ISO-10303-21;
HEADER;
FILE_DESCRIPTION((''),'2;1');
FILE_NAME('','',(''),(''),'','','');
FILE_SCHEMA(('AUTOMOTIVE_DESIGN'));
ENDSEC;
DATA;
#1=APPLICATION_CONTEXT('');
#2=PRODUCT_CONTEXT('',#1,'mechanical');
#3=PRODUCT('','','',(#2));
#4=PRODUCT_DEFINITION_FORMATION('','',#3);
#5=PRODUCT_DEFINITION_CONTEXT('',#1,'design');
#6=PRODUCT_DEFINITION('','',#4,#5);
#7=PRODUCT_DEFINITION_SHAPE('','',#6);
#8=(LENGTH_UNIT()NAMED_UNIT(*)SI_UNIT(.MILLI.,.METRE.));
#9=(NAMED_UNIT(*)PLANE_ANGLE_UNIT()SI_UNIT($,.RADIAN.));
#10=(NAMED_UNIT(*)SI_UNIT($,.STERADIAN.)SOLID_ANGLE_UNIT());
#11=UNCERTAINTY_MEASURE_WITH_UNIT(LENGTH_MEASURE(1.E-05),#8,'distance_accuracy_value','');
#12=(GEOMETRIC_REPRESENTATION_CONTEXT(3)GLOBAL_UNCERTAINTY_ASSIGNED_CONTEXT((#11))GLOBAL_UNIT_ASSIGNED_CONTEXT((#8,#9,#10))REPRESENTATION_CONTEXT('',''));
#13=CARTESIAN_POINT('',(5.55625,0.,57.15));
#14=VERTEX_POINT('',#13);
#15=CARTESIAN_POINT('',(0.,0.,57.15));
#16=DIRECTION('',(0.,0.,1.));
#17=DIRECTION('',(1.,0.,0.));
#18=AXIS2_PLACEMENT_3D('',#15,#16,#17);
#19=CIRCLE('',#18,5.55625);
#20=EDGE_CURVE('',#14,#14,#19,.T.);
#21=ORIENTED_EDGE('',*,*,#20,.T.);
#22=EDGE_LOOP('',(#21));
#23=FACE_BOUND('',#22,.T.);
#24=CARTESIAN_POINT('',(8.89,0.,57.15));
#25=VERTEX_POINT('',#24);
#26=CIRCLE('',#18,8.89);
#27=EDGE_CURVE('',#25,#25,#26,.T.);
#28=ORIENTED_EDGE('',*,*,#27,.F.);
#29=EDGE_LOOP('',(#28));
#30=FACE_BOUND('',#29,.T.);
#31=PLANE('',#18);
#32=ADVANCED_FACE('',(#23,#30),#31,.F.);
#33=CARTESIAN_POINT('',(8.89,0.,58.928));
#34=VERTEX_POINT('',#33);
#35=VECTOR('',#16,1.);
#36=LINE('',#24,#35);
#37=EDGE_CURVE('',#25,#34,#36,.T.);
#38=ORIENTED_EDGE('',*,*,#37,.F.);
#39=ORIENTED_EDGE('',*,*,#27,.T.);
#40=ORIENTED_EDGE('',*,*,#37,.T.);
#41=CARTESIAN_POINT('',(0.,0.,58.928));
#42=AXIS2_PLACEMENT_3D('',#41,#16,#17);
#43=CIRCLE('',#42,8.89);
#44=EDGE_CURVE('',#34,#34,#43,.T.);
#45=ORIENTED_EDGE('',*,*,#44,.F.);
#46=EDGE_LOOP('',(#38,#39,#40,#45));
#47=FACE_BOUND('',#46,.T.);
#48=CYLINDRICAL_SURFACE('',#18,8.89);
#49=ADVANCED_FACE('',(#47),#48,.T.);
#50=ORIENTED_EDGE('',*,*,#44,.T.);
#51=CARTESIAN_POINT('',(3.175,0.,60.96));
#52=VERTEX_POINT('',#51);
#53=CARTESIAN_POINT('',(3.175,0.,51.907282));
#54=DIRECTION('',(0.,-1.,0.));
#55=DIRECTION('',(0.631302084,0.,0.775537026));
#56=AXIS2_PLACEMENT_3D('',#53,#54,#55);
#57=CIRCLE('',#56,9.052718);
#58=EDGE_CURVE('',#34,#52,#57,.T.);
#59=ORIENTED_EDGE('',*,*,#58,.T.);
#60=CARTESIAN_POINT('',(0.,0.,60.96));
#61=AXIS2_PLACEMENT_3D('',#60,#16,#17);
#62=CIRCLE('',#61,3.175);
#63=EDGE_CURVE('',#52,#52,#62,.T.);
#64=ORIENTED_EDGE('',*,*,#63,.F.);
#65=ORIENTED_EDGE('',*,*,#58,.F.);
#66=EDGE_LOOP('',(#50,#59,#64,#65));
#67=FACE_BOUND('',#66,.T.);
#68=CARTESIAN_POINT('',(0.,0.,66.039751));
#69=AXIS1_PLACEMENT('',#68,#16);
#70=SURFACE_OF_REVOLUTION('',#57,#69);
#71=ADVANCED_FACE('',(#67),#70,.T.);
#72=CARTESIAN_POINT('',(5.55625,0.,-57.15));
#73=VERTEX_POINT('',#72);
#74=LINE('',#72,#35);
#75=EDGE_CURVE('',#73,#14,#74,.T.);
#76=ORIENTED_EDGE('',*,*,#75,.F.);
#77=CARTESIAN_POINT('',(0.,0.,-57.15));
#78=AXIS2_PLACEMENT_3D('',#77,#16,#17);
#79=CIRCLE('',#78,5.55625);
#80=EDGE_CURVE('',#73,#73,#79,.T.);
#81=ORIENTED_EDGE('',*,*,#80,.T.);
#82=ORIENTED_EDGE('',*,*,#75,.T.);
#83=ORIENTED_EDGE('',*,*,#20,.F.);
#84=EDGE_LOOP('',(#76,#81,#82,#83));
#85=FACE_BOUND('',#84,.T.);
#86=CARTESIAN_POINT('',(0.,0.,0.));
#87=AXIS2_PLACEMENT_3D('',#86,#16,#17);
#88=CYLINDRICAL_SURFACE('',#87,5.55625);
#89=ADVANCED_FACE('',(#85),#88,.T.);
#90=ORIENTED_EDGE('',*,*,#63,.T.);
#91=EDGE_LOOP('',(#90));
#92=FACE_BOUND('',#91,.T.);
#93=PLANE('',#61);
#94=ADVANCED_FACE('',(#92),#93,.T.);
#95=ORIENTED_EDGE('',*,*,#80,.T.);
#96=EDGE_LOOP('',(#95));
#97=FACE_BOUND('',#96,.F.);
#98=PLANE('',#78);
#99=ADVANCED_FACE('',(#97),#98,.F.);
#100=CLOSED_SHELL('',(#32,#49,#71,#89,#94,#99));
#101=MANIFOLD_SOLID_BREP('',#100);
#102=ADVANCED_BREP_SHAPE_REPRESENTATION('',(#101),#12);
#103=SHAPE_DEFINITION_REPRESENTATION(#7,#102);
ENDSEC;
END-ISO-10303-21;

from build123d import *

# Parameters (mm, degrees)
F0_R     = 5.55625
F1_DEPTH = 57.15


with BuildPart() as f1:
    # F0 (on Top) → F1 (new body, symmetric)
    with BuildSketch(Plane.XY):
        Circle(F0_R)
    extrude(amount=F1_DEPTH, both=True)

    # F2 (on Front) → F3 (revolve)
    with BuildSketch(Plane.XZ):
        with BuildLine():
            Line((0, 57.15), (5.55625, 57.15))
            Line((5.55625, 57.15), (8.89, 57.15))
            Line((8.89, 57.15), (8.89, 58.928))
            ThreePointArc((8.89, 58.928), (6.207748, 60.436886), (3.175, 60.96))
            Line((3.175, 60.96), (0, 60.96))
            Line((0, 60.96), (0, 57.15))
        make_face()
    revolve(axis=Axis((0, 0, 66.039751), (0, 0, 1)))


solid = f1.part
